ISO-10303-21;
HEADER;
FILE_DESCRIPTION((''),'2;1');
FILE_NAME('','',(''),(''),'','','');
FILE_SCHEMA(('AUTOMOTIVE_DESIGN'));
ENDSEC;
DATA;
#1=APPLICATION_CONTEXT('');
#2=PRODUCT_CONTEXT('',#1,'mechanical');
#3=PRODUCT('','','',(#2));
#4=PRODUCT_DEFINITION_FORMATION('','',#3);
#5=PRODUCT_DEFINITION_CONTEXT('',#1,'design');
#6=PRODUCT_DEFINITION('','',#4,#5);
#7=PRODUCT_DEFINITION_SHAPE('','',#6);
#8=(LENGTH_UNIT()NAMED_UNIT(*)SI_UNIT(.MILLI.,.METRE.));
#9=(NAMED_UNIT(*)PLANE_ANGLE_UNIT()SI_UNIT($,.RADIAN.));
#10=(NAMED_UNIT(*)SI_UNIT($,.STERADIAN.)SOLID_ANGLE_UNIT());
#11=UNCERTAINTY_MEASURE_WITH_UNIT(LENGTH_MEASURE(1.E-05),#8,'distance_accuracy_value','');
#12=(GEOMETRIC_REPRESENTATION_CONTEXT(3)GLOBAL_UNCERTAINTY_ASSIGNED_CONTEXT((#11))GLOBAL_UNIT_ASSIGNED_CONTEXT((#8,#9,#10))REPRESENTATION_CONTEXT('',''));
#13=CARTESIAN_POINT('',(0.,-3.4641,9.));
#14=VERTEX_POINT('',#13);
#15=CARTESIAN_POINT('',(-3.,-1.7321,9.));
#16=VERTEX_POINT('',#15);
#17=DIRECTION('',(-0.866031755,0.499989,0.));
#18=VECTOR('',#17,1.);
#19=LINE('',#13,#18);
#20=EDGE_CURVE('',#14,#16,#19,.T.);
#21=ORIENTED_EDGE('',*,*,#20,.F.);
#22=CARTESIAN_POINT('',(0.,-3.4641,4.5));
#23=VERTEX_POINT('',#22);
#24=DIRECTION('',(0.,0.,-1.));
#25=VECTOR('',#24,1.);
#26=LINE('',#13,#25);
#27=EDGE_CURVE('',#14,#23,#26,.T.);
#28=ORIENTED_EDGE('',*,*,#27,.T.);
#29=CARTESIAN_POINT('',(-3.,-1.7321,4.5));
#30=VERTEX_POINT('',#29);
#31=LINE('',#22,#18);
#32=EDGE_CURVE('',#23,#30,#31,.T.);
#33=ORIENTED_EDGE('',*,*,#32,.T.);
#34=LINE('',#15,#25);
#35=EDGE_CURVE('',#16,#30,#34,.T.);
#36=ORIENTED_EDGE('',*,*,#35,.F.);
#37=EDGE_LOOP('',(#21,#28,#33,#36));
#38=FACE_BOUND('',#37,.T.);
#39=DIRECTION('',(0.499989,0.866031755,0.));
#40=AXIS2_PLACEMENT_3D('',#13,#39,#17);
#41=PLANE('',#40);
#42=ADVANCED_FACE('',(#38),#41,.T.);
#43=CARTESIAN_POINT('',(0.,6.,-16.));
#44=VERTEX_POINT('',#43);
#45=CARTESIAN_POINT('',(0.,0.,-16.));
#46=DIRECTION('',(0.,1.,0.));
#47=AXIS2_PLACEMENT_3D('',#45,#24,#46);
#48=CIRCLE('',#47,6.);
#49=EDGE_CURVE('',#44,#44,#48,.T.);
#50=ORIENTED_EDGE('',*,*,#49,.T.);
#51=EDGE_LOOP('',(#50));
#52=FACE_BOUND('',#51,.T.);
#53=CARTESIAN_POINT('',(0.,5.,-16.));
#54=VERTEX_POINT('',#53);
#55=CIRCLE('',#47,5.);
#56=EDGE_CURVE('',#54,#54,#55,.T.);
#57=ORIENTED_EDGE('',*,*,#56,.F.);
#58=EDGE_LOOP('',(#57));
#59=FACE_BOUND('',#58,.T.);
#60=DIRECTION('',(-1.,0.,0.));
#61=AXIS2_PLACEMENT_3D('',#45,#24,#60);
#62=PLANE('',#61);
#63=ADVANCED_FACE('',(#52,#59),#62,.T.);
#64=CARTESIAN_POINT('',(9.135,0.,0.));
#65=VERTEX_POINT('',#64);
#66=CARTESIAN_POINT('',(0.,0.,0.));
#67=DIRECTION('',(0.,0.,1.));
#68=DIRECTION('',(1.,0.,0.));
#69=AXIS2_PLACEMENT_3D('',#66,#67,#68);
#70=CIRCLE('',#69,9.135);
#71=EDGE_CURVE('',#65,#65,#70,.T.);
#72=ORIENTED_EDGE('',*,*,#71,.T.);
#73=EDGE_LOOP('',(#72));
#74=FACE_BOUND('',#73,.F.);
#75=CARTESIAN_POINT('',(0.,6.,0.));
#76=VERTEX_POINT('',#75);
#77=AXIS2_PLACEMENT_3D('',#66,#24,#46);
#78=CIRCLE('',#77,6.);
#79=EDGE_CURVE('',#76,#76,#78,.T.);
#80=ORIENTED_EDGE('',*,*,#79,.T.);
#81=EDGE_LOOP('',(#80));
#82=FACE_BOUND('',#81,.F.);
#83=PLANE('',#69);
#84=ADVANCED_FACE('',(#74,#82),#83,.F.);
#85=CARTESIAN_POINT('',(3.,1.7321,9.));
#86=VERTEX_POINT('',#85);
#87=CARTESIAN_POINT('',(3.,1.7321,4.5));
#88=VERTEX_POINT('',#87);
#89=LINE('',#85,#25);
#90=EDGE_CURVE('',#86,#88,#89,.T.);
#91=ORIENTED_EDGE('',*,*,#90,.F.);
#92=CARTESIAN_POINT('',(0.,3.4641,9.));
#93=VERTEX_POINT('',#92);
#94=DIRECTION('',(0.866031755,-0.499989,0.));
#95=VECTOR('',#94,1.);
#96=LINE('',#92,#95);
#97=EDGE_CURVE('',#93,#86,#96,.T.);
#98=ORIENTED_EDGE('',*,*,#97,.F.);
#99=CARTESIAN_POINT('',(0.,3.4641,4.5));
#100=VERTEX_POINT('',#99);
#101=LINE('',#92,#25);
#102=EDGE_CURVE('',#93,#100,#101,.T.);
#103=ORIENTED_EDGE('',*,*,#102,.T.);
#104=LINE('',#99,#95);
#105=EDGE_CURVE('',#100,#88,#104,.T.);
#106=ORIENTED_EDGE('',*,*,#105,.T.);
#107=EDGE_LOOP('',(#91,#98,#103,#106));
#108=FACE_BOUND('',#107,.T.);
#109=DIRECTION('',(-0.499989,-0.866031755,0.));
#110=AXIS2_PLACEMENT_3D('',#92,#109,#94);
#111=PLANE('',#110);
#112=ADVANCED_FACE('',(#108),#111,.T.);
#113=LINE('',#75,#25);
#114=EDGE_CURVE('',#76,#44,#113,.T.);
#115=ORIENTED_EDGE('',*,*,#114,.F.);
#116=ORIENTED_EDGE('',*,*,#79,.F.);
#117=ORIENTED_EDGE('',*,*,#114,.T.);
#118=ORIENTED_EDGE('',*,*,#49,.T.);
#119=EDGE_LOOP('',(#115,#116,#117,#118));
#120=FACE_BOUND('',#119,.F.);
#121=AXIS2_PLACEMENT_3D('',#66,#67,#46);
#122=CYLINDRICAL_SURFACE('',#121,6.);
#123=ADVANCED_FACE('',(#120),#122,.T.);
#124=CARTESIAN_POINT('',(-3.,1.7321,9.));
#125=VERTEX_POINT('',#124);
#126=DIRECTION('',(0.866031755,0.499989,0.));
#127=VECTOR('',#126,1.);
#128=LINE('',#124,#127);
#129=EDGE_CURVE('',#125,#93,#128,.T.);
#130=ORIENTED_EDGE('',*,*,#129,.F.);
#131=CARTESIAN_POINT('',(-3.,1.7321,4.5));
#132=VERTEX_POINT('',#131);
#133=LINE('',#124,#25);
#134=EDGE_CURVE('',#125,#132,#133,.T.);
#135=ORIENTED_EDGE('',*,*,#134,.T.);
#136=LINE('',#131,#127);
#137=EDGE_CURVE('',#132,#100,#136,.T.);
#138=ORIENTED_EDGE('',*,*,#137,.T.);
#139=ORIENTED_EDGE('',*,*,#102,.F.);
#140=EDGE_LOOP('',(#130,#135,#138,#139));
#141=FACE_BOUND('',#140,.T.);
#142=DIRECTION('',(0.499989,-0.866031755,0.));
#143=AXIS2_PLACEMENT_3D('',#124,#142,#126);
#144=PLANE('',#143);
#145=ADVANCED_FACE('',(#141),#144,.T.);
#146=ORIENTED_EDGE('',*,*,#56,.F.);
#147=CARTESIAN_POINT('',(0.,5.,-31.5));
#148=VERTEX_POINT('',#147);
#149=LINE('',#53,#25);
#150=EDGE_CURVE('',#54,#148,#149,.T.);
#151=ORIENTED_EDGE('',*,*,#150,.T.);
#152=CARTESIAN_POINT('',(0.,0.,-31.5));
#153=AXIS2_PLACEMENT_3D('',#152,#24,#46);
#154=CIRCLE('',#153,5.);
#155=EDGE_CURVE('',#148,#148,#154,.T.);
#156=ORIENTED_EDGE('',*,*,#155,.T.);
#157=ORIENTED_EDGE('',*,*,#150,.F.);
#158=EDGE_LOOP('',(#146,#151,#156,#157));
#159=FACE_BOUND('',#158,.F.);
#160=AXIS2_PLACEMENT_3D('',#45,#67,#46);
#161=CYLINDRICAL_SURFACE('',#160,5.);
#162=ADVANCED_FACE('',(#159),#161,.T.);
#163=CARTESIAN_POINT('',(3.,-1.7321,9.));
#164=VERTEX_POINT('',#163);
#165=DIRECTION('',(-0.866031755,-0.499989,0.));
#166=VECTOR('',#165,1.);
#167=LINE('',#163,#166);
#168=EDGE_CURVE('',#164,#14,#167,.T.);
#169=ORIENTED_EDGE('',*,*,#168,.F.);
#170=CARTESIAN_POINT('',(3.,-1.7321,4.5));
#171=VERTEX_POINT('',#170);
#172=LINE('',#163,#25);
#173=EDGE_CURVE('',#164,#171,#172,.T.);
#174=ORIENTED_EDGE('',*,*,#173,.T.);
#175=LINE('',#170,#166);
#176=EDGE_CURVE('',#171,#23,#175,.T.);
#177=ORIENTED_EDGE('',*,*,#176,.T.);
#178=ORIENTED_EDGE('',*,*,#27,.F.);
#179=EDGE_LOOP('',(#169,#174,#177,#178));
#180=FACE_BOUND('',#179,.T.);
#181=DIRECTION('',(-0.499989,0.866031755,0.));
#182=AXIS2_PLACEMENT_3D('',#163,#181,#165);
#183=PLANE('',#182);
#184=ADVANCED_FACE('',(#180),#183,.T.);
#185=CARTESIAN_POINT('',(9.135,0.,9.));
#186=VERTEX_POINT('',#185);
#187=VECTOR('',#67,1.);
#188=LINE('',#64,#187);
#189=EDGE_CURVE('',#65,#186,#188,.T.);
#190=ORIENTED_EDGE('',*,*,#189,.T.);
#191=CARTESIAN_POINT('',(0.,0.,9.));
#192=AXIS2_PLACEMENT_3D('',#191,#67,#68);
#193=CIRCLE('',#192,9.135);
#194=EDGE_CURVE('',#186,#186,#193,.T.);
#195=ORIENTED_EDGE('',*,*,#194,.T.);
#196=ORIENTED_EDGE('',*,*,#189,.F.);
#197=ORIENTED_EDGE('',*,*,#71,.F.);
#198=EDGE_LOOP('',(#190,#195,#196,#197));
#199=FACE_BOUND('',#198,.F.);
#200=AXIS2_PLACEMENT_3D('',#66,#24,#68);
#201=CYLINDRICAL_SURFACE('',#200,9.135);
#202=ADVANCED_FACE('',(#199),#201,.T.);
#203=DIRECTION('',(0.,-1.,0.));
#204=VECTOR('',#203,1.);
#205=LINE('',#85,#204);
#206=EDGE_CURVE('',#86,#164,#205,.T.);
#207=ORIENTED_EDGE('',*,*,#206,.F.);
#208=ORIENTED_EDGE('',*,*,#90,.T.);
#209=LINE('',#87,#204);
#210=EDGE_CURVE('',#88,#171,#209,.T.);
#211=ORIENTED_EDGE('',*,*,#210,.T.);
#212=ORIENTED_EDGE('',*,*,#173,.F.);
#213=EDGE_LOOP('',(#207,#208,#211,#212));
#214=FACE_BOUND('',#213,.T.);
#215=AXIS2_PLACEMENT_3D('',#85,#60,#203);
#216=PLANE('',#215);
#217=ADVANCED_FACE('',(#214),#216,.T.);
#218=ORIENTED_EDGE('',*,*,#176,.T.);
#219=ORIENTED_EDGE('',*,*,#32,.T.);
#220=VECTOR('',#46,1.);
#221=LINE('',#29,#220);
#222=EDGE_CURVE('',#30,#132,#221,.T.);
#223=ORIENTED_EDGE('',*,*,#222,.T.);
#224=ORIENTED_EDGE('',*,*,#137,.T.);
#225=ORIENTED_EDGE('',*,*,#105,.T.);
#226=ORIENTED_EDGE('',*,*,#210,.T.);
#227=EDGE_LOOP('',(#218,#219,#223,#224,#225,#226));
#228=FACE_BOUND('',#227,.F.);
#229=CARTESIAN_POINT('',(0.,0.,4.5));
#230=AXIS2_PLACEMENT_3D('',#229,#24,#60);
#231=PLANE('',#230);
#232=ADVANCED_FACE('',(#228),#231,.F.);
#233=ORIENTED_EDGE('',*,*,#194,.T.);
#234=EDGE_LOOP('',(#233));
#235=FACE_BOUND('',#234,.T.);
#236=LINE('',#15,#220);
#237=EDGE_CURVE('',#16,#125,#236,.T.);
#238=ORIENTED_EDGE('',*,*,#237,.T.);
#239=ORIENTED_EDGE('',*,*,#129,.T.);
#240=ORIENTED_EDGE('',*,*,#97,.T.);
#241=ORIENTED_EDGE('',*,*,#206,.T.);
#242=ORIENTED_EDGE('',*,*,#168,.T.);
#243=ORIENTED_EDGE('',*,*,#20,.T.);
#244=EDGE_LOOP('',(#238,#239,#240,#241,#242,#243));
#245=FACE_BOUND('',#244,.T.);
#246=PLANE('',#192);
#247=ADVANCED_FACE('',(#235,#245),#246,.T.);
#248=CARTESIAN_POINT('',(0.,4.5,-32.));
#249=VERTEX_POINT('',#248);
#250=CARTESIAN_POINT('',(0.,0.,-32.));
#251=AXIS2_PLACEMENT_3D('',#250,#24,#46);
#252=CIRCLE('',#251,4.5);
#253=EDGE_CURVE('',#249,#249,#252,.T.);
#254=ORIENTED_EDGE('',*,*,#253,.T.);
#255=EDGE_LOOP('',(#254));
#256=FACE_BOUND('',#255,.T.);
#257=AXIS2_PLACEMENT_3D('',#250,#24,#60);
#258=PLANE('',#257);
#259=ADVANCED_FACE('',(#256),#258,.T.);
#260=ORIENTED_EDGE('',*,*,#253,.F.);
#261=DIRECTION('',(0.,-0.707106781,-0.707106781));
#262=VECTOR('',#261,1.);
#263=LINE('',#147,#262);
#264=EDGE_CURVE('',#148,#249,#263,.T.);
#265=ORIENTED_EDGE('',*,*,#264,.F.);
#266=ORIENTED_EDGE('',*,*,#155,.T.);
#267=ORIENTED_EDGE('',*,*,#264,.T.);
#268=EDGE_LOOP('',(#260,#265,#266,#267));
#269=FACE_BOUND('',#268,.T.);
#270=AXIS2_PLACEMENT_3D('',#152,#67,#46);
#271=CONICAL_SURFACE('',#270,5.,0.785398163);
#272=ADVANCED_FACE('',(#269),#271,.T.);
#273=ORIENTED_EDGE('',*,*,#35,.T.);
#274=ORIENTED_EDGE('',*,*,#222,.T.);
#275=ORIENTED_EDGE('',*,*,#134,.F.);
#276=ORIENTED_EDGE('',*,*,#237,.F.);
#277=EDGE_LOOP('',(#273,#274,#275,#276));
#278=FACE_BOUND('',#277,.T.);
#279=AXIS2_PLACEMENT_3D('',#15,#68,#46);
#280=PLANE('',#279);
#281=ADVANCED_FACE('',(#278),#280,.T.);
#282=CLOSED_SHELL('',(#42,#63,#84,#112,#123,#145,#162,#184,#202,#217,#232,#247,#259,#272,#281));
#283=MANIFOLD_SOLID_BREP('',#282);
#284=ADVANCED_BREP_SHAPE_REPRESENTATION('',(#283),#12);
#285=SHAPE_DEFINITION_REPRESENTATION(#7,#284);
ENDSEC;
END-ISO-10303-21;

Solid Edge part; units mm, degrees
sketch "Sketch1" plane through (0, 0, 0) normal (0, 0, 1) x (1, 0, 0)
  circle A0 centre (0, 0) radius 9.135
  dimension "D1" = 18.27
extrude "Protrusion1" add sketch "Sketch1" along normal blind 9
sketch "Sketch2" plane through (0, 0, 9) normal (0, 0, 1) x (1, 0, 0)
  line L0 (0, -3.4641) -> (-3, -1.7321)
  line L1 (-3, -1.7321) -> (-3, 1.7321)
  line L2 (-3, 1.7321) -> (0, 3.4641)
  line L3 (0, 3.4641) -> (3, 1.7321)
  line L4 (3, 1.7321) -> (3, -1.7321)
  line L5 (3, -1.7321) -> (0, -3.4641)
  dimension "D1" = 6
extrude "Cutout1" cut sketch "Sketch2" against normal blind 4.5
sketch "Sketch3" plane through (0, 0, 0) normal (0, 0, -1) x (0, 1, 0)
  circle A0 centre (0, 0) radius 6
  dimension "D1" = 12
extrude "Protrusion2" add sketch "Sketch3" along normal blind 16
sketch "Sketch4" plane through (0, 0, -16) normal (0, 0, -1) x (0, 1, 0)
  circle A0 centre (0, 0) radius 5
  dimension "D1" = 10
extrude "Protrusion3" add sketch "Sketch4" along normal blind 16
chamfer "Chamfer1" distance 0.5 angle 45 1 edges at (0, -5, -32)
properties part number "221437"
